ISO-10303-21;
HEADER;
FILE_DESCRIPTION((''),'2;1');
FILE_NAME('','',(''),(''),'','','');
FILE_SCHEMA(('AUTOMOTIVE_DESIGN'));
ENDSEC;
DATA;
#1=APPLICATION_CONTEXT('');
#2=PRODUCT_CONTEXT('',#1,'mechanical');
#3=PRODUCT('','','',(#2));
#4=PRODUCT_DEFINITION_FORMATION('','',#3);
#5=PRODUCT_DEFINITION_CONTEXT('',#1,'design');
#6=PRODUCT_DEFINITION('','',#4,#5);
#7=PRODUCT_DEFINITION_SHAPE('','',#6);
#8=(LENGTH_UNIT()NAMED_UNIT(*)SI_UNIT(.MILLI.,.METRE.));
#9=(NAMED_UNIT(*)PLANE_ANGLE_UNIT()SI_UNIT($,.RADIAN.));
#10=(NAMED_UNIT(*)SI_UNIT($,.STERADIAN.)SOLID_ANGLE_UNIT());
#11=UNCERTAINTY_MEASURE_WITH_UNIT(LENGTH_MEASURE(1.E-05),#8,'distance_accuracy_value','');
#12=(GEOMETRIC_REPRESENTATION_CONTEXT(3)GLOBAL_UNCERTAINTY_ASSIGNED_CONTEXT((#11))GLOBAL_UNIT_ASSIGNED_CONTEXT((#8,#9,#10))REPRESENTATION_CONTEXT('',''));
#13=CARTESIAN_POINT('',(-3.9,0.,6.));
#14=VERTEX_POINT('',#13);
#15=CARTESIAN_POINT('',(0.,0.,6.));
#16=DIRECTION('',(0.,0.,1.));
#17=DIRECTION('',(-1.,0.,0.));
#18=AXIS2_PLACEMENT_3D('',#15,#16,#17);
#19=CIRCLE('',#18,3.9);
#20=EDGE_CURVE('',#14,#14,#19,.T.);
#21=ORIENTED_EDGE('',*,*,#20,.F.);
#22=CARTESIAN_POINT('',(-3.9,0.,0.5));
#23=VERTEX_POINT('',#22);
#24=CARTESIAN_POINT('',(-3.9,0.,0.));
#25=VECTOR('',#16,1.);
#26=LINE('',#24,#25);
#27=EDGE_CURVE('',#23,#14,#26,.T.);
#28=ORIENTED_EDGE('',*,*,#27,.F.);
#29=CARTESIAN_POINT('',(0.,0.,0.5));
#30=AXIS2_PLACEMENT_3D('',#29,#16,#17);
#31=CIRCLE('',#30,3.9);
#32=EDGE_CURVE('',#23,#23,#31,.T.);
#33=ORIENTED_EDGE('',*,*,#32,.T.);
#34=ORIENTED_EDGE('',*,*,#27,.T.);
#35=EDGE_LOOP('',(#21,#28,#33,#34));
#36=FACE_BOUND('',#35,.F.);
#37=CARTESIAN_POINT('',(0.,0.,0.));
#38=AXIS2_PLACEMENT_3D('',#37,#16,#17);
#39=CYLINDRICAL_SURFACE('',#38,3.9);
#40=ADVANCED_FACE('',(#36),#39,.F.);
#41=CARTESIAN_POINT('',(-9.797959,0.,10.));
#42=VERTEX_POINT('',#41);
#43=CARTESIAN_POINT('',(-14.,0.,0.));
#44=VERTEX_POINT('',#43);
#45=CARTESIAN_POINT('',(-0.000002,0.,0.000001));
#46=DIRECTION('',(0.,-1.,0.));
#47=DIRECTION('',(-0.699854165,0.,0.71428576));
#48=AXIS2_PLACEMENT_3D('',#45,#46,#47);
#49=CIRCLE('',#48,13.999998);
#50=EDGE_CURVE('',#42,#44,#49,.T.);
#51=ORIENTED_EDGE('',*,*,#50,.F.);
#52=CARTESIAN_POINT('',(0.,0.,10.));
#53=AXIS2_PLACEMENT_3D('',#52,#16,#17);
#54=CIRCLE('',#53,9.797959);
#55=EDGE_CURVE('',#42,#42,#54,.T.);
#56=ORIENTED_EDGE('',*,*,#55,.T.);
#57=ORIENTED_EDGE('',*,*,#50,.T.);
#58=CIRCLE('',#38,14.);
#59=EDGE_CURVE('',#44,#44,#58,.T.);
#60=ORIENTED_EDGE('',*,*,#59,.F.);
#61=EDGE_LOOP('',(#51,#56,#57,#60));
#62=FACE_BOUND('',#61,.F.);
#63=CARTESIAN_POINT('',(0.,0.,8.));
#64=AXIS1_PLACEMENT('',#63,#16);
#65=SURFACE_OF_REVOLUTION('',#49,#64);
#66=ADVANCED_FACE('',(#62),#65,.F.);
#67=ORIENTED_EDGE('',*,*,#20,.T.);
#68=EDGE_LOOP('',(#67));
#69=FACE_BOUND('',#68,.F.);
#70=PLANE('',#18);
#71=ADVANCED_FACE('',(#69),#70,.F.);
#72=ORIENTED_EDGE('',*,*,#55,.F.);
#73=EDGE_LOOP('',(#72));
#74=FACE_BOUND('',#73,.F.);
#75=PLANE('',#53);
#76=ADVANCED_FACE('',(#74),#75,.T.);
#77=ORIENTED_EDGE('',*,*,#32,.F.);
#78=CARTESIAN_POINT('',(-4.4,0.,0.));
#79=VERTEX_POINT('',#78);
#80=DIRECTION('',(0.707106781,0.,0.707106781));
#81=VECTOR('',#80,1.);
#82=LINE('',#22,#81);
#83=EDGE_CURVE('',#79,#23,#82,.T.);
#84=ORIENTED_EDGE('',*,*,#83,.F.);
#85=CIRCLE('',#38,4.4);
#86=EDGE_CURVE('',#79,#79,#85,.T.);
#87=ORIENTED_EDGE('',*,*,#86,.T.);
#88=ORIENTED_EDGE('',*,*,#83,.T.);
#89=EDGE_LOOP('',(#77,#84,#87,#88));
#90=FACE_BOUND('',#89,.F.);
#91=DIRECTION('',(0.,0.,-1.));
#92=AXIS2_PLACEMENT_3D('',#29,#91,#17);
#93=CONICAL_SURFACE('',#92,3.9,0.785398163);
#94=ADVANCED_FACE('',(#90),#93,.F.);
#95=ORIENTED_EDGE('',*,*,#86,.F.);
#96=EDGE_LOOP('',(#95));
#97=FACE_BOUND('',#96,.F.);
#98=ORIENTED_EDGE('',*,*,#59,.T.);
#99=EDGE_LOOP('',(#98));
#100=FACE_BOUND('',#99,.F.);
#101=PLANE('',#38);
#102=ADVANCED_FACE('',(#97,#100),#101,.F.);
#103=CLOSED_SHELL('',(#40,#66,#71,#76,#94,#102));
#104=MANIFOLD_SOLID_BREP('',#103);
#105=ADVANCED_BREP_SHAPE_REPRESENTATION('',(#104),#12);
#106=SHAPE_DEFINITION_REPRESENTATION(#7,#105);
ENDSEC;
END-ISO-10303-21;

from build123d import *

# Parameters (mm, degrees)
F2_SIZE = 0.5


with BuildPart() as f1:
    # F0 (on Front) → F1 (revolve)
    with BuildSketch(Plane.XZ):
        with BuildLine():
            ThreePointArc((-9.797959, 10), (-12.906809, 5.423494), (-14, 0))
            Line((-14, 0), (-3.9, 0))
            Line((-3.9, 0), (-3.9, 6))
            Line((-3.9, 6), (0, 6))
            Line((0, 6), (0, 10))
            Line((0, 10), (-9.797959, 10))
        make_face()
    revolve(axis=Axis((0, 0, 8), (0, 0, 1)))

    # F2
    f2_edges = [f1.edges().sort_by_distance(p)[0] for p in [
        (3.9, 0, 0),
    ]]
    chamfer(f2_edges, length=F2_SIZE)


solid = f1.part
